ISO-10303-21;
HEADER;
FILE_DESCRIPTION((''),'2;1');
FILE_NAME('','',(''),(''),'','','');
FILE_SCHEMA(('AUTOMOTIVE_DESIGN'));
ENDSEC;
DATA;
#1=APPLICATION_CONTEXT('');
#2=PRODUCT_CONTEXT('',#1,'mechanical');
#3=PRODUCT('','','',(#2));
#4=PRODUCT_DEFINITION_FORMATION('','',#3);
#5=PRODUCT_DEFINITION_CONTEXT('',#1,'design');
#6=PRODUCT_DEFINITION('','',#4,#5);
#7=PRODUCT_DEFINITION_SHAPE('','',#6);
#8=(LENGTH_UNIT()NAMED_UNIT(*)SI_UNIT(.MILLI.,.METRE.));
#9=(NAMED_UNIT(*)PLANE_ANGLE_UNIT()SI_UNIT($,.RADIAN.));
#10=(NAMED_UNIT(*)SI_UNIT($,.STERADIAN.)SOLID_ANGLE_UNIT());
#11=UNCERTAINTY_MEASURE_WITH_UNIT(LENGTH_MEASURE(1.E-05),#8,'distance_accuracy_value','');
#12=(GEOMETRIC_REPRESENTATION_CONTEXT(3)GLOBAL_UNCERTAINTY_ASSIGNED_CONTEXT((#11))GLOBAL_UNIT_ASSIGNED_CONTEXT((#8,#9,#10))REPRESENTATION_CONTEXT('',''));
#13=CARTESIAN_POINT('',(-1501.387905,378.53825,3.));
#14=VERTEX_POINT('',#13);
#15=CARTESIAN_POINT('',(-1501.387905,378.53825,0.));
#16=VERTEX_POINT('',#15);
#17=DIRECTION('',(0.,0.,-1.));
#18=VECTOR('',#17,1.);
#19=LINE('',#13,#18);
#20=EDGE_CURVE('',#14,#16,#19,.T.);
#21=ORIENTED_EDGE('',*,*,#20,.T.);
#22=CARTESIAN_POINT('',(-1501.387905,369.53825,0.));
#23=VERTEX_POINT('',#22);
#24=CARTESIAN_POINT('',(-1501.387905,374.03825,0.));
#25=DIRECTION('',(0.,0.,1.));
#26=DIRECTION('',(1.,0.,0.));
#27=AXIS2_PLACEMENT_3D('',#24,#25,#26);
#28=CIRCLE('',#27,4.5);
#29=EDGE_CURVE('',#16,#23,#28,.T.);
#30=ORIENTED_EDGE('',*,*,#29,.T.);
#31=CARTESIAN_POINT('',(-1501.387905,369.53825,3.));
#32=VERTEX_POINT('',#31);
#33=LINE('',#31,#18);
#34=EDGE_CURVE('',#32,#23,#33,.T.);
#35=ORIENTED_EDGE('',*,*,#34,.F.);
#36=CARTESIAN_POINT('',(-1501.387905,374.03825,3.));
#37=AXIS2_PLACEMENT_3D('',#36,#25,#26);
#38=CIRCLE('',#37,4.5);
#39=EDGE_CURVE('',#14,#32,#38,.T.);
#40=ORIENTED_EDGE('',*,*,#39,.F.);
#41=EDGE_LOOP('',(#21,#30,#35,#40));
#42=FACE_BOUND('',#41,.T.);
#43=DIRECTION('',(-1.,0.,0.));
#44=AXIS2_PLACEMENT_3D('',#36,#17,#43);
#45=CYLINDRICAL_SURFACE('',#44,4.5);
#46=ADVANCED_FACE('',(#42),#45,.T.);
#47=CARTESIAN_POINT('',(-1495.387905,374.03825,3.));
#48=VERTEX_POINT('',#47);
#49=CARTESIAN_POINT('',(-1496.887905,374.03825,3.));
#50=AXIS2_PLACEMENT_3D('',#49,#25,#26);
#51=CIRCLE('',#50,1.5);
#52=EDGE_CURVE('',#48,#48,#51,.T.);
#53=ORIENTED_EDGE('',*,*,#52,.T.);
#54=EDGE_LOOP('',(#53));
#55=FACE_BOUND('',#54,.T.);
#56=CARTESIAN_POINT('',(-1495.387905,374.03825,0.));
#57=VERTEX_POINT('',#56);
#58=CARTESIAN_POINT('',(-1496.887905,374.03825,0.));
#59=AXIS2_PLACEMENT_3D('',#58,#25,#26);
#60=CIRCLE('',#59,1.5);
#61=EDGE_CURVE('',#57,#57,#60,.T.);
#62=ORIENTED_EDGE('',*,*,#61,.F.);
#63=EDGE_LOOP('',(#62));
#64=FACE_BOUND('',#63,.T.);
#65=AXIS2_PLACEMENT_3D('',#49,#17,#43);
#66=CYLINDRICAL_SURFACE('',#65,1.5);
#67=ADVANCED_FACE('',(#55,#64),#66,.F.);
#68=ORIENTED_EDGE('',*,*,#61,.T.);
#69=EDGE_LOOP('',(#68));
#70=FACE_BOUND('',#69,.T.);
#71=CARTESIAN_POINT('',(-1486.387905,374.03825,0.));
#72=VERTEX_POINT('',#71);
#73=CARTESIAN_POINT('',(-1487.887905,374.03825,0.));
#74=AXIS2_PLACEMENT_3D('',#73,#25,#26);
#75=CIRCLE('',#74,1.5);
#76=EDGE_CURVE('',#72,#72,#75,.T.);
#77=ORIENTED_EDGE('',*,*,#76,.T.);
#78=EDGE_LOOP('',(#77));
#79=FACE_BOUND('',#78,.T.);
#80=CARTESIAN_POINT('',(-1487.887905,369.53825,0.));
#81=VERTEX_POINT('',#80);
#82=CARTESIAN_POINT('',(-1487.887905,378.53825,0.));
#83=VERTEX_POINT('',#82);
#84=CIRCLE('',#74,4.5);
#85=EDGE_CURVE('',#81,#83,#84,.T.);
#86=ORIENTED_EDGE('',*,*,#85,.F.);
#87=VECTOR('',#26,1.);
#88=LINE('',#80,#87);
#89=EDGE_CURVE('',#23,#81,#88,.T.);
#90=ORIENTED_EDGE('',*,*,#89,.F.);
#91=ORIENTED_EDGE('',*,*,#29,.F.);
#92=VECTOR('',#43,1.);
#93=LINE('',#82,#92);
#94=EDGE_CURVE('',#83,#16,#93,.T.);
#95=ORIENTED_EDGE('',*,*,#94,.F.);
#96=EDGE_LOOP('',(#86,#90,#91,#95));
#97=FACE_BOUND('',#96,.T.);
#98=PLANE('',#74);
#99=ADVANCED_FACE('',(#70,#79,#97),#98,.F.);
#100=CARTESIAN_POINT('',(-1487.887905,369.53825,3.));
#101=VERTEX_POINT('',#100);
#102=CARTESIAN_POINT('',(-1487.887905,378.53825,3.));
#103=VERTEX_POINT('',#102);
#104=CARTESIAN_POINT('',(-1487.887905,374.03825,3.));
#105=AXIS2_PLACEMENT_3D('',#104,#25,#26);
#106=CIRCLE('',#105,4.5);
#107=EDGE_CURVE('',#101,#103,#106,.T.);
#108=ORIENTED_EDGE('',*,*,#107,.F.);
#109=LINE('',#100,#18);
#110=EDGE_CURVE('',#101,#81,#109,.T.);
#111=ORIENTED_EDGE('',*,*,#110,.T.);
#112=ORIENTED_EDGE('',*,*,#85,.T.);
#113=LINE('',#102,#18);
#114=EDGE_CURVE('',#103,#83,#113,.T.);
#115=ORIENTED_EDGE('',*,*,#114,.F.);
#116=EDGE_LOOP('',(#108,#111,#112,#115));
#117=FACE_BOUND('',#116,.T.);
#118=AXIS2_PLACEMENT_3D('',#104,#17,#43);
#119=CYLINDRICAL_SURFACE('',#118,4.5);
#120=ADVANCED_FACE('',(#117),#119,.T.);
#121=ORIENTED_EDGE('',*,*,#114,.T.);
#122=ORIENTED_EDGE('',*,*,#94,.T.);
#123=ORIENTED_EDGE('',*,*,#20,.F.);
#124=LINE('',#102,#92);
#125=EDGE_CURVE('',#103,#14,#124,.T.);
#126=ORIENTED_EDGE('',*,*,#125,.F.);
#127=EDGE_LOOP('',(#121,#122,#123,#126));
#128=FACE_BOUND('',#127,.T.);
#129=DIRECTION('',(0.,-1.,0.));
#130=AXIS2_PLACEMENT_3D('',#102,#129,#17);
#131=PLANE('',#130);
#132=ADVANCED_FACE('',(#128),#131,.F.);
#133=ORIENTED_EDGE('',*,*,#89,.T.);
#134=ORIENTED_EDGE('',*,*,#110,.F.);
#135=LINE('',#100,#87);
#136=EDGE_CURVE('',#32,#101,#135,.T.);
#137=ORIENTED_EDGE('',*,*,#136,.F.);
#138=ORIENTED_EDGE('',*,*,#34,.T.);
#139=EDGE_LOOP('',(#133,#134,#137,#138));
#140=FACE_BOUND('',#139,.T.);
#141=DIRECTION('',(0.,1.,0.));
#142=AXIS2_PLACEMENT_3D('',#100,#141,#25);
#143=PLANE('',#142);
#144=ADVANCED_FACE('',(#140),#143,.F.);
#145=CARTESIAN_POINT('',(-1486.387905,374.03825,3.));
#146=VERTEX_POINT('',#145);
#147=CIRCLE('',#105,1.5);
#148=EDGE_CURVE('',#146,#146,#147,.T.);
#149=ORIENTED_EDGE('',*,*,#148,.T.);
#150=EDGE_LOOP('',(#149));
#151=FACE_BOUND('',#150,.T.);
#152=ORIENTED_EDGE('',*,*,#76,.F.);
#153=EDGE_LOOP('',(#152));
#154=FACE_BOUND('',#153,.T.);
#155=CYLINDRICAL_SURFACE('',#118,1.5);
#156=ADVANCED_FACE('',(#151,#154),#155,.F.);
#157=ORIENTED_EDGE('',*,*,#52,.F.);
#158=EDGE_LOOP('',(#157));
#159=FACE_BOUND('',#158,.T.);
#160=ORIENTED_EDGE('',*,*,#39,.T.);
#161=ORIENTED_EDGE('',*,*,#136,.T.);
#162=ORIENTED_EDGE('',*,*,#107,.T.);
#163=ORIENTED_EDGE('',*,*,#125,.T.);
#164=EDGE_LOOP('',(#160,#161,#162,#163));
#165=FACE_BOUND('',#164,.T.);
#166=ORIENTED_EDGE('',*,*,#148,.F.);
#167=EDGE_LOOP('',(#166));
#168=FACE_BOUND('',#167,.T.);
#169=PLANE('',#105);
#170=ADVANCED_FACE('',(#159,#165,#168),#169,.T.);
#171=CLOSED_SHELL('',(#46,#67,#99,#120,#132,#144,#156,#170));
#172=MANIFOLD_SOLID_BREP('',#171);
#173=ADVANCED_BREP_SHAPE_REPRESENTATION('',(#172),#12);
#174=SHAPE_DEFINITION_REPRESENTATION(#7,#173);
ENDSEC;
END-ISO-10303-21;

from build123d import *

# Parameters (mm, degrees)
MODEL_R                 = 1.5
SALIENTE_EXTRUIR1_DEPTH = 3


with BuildPart() as part:
    # Model → Saliente-Extruir1 (new body)
    with BuildSketch(Plane.XY):
        with BuildLine():
            Line((-1487.887905202, 378.53824964), (-1501.387905202, 378.53824964))
            ThreePointArc((-1501.387905202, 378.53824964), (-1505.887905202, 374.03824964), (-1501.387905202, 369.53824964))
            Line((-1501.387905202, 369.53824964), (-1487.887905202, 369.53824964))
            ThreePointArc((-1487.887905202, 369.53824964), (-1483.387905202, 374.03824964), (-1487.887905202, 378.53824964))
        make_face()
        with Locations((-1487.887905202, 374.03824964)):
            Circle(MODEL_R, mode=Mode.SUBTRACT)
        with Locations((-1496.887905202, 374.03824964)):
            Circle(MODEL_R, mode=Mode.SUBTRACT)
    extrude(amount=SALIENTE_EXTRUIR1_DEPTH)


solid = part.part
